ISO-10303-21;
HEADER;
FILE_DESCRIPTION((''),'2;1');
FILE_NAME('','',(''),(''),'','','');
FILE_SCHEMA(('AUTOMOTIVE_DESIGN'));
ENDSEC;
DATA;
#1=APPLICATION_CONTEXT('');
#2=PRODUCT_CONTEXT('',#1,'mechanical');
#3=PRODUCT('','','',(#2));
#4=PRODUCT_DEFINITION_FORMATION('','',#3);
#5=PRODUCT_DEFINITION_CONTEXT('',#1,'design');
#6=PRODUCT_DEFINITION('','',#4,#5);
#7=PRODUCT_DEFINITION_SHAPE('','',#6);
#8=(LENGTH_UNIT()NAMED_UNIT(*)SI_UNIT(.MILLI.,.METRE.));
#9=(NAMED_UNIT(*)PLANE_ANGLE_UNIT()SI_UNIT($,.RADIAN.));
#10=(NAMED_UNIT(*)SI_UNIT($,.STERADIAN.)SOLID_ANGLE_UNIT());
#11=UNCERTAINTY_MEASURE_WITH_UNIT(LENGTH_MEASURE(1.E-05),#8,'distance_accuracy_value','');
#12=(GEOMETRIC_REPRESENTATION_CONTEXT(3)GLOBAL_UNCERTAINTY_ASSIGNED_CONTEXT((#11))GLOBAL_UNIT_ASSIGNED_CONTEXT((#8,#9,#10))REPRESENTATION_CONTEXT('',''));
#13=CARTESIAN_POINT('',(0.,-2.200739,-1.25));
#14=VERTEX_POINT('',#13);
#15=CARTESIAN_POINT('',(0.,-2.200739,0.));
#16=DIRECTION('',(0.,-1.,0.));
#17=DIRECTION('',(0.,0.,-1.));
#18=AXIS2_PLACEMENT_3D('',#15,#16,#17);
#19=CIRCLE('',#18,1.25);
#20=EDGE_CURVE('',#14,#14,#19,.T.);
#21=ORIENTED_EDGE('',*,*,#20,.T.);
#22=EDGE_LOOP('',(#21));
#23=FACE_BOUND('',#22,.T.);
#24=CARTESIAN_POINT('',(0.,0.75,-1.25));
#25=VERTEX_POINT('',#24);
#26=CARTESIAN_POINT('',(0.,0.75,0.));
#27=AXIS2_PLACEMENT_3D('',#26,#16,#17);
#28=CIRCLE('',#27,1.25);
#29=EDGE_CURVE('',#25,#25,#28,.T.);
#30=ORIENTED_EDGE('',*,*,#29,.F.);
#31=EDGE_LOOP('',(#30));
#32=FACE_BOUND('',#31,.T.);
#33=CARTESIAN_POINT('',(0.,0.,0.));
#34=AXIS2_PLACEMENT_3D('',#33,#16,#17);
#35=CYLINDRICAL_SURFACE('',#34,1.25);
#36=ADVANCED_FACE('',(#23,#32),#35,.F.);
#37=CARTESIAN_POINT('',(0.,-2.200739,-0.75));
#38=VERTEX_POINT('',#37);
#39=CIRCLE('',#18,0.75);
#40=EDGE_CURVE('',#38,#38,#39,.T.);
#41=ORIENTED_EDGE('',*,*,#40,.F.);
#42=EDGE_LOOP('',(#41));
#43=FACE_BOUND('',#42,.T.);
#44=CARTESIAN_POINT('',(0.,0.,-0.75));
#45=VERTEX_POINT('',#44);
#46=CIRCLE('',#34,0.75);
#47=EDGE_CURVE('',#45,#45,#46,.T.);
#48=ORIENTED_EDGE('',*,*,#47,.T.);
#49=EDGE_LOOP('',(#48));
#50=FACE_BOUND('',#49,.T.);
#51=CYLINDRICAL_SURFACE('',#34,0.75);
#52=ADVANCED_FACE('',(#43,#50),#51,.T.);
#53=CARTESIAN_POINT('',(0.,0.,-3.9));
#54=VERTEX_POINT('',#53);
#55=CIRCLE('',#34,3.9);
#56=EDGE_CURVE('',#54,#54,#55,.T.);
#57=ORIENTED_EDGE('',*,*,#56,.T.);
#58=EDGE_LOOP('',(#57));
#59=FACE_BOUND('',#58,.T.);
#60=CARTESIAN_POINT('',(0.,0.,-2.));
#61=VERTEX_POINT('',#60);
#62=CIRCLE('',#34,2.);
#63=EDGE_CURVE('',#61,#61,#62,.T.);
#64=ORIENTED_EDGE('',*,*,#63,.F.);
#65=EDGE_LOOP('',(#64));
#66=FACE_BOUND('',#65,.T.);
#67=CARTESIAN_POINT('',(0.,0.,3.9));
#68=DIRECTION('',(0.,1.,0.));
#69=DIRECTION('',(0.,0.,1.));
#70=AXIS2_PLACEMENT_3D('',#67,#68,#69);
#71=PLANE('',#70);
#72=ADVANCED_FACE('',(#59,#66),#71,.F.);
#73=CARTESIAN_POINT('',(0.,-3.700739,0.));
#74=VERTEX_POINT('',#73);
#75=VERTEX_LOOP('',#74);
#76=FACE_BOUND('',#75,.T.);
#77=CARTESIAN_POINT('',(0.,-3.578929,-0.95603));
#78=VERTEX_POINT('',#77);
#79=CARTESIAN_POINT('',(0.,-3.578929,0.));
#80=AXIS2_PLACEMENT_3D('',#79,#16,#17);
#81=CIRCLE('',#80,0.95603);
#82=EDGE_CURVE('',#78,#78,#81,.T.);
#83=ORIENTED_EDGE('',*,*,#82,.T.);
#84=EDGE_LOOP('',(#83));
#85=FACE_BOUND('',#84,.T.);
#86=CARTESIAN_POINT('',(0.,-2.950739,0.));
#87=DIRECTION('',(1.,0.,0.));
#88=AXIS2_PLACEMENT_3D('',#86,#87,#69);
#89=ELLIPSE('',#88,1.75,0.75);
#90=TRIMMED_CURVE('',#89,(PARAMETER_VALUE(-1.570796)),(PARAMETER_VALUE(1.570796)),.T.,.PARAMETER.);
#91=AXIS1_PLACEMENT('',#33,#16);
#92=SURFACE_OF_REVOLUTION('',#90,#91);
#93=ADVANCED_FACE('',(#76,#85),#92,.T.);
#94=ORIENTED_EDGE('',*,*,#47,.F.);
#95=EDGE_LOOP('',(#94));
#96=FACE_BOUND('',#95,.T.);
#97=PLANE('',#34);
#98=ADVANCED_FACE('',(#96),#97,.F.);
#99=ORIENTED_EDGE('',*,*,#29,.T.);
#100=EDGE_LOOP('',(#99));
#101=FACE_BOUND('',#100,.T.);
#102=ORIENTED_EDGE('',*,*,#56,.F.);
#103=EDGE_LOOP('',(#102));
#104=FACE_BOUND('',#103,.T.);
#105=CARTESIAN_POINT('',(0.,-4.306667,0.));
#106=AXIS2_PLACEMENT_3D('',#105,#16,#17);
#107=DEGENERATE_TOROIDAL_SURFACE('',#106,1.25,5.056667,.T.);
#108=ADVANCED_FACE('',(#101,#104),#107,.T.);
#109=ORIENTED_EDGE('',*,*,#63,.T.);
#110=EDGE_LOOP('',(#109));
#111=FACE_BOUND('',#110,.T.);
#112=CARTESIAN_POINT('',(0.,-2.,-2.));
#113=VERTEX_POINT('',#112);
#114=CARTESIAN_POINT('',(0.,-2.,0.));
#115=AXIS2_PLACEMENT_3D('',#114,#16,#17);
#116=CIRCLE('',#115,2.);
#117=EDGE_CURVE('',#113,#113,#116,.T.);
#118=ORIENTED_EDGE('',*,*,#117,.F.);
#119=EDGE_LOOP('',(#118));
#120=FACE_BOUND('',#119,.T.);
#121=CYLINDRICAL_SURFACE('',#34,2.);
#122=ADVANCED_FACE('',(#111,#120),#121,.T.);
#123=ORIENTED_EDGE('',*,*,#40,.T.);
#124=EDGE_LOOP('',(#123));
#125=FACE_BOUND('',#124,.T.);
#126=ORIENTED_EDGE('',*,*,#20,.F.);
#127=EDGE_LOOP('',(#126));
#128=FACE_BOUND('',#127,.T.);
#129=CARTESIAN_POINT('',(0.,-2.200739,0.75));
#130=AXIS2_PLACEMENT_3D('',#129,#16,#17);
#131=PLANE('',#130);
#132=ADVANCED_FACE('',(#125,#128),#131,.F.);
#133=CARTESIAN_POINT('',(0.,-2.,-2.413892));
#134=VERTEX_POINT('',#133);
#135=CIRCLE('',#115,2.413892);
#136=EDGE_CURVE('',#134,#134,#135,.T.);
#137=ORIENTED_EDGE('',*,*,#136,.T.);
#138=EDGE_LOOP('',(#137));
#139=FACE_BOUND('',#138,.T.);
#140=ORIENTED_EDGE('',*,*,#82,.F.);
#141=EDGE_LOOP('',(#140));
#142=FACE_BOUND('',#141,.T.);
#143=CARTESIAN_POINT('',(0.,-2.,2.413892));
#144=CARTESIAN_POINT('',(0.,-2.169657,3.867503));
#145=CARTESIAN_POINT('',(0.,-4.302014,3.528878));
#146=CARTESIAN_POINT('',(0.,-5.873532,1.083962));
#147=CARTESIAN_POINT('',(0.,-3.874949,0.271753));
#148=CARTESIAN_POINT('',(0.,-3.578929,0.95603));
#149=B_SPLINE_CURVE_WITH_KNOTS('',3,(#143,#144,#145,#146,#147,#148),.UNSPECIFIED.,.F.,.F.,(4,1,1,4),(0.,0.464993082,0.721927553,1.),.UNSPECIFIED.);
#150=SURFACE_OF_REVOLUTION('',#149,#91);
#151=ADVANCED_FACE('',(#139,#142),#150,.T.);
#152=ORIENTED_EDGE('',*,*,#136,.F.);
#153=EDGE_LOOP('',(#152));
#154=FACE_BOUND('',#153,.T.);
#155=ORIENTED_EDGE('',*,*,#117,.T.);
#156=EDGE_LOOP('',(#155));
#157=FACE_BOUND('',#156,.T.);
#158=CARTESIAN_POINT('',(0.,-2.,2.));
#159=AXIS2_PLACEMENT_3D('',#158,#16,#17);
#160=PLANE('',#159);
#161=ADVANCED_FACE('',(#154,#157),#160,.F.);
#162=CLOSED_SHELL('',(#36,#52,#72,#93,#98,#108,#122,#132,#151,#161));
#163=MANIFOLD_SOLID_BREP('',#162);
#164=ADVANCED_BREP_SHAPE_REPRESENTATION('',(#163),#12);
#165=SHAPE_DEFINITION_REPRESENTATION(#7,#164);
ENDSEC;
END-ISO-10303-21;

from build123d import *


with BuildPart() as part:
    # Szkic1 → Obrót1 (revolve)
    with BuildSketch(Plane(origin=(0, 0, 0), x_dir=(0, 0, -1), z_dir=(1, 0, 0)), mode=Mode.PRIVATE) as obr_t1_sk:
        with BuildLine():
            Line((0, 0), (-0.75, 0))
            Line((-0.75, 0), (-0.75, -2.200738523))
            Line((-0.75, -2.200738523), (-1.25, -2.200738523))
            Line((-1.25, -2.200738523), (-1.25, 0.75))
            ThreePointArc((-1.25, 0.75), (-2.627043935, 0.558888572), (-3.9, 0))
            Line((-3.9, 0), (-2, 0))
            Line((-2, 0), (-2, -2))
            Line((-2, -2), (-2.413891755, -2))
            add(Edge.make_bspline(
                [(-2.413891755, -2), (-3.867503112, -2.169657322), (-3.528877649, -4.302013626), (-1.083961642, -5.873532369), (-0.271752618, -3.874949298), (-0.956030427, -3.578929194)],
                knots=[0, 0, 0, 0, 0.464993082, 0.721927553, 1, 1, 1, 1], degree=3))
            add(Edge.make_bspline(
                [(-0.956030427, -3.578929194), (-0.520263876, -3.700738523), (0, -3.700738523)],
                knots=[0.992852221, 0.992852221, 0.992852221, 1.570796327, 1.570796327, 1.570796327], degree=2, weights=[1, 0.958537313, 1]))
            Line((0, -3.700738523), (0, -2.200738523))
            Line((0, -2.200738523), (0, 0))
        make_face()
    revolve(obr_t1_sk.sketch.rotate(Axis((0, 0, 0), (0, 1, 0)), 180), axis=Axis((0, 0, 0), (0, 1, 0)))


solid = part.part
